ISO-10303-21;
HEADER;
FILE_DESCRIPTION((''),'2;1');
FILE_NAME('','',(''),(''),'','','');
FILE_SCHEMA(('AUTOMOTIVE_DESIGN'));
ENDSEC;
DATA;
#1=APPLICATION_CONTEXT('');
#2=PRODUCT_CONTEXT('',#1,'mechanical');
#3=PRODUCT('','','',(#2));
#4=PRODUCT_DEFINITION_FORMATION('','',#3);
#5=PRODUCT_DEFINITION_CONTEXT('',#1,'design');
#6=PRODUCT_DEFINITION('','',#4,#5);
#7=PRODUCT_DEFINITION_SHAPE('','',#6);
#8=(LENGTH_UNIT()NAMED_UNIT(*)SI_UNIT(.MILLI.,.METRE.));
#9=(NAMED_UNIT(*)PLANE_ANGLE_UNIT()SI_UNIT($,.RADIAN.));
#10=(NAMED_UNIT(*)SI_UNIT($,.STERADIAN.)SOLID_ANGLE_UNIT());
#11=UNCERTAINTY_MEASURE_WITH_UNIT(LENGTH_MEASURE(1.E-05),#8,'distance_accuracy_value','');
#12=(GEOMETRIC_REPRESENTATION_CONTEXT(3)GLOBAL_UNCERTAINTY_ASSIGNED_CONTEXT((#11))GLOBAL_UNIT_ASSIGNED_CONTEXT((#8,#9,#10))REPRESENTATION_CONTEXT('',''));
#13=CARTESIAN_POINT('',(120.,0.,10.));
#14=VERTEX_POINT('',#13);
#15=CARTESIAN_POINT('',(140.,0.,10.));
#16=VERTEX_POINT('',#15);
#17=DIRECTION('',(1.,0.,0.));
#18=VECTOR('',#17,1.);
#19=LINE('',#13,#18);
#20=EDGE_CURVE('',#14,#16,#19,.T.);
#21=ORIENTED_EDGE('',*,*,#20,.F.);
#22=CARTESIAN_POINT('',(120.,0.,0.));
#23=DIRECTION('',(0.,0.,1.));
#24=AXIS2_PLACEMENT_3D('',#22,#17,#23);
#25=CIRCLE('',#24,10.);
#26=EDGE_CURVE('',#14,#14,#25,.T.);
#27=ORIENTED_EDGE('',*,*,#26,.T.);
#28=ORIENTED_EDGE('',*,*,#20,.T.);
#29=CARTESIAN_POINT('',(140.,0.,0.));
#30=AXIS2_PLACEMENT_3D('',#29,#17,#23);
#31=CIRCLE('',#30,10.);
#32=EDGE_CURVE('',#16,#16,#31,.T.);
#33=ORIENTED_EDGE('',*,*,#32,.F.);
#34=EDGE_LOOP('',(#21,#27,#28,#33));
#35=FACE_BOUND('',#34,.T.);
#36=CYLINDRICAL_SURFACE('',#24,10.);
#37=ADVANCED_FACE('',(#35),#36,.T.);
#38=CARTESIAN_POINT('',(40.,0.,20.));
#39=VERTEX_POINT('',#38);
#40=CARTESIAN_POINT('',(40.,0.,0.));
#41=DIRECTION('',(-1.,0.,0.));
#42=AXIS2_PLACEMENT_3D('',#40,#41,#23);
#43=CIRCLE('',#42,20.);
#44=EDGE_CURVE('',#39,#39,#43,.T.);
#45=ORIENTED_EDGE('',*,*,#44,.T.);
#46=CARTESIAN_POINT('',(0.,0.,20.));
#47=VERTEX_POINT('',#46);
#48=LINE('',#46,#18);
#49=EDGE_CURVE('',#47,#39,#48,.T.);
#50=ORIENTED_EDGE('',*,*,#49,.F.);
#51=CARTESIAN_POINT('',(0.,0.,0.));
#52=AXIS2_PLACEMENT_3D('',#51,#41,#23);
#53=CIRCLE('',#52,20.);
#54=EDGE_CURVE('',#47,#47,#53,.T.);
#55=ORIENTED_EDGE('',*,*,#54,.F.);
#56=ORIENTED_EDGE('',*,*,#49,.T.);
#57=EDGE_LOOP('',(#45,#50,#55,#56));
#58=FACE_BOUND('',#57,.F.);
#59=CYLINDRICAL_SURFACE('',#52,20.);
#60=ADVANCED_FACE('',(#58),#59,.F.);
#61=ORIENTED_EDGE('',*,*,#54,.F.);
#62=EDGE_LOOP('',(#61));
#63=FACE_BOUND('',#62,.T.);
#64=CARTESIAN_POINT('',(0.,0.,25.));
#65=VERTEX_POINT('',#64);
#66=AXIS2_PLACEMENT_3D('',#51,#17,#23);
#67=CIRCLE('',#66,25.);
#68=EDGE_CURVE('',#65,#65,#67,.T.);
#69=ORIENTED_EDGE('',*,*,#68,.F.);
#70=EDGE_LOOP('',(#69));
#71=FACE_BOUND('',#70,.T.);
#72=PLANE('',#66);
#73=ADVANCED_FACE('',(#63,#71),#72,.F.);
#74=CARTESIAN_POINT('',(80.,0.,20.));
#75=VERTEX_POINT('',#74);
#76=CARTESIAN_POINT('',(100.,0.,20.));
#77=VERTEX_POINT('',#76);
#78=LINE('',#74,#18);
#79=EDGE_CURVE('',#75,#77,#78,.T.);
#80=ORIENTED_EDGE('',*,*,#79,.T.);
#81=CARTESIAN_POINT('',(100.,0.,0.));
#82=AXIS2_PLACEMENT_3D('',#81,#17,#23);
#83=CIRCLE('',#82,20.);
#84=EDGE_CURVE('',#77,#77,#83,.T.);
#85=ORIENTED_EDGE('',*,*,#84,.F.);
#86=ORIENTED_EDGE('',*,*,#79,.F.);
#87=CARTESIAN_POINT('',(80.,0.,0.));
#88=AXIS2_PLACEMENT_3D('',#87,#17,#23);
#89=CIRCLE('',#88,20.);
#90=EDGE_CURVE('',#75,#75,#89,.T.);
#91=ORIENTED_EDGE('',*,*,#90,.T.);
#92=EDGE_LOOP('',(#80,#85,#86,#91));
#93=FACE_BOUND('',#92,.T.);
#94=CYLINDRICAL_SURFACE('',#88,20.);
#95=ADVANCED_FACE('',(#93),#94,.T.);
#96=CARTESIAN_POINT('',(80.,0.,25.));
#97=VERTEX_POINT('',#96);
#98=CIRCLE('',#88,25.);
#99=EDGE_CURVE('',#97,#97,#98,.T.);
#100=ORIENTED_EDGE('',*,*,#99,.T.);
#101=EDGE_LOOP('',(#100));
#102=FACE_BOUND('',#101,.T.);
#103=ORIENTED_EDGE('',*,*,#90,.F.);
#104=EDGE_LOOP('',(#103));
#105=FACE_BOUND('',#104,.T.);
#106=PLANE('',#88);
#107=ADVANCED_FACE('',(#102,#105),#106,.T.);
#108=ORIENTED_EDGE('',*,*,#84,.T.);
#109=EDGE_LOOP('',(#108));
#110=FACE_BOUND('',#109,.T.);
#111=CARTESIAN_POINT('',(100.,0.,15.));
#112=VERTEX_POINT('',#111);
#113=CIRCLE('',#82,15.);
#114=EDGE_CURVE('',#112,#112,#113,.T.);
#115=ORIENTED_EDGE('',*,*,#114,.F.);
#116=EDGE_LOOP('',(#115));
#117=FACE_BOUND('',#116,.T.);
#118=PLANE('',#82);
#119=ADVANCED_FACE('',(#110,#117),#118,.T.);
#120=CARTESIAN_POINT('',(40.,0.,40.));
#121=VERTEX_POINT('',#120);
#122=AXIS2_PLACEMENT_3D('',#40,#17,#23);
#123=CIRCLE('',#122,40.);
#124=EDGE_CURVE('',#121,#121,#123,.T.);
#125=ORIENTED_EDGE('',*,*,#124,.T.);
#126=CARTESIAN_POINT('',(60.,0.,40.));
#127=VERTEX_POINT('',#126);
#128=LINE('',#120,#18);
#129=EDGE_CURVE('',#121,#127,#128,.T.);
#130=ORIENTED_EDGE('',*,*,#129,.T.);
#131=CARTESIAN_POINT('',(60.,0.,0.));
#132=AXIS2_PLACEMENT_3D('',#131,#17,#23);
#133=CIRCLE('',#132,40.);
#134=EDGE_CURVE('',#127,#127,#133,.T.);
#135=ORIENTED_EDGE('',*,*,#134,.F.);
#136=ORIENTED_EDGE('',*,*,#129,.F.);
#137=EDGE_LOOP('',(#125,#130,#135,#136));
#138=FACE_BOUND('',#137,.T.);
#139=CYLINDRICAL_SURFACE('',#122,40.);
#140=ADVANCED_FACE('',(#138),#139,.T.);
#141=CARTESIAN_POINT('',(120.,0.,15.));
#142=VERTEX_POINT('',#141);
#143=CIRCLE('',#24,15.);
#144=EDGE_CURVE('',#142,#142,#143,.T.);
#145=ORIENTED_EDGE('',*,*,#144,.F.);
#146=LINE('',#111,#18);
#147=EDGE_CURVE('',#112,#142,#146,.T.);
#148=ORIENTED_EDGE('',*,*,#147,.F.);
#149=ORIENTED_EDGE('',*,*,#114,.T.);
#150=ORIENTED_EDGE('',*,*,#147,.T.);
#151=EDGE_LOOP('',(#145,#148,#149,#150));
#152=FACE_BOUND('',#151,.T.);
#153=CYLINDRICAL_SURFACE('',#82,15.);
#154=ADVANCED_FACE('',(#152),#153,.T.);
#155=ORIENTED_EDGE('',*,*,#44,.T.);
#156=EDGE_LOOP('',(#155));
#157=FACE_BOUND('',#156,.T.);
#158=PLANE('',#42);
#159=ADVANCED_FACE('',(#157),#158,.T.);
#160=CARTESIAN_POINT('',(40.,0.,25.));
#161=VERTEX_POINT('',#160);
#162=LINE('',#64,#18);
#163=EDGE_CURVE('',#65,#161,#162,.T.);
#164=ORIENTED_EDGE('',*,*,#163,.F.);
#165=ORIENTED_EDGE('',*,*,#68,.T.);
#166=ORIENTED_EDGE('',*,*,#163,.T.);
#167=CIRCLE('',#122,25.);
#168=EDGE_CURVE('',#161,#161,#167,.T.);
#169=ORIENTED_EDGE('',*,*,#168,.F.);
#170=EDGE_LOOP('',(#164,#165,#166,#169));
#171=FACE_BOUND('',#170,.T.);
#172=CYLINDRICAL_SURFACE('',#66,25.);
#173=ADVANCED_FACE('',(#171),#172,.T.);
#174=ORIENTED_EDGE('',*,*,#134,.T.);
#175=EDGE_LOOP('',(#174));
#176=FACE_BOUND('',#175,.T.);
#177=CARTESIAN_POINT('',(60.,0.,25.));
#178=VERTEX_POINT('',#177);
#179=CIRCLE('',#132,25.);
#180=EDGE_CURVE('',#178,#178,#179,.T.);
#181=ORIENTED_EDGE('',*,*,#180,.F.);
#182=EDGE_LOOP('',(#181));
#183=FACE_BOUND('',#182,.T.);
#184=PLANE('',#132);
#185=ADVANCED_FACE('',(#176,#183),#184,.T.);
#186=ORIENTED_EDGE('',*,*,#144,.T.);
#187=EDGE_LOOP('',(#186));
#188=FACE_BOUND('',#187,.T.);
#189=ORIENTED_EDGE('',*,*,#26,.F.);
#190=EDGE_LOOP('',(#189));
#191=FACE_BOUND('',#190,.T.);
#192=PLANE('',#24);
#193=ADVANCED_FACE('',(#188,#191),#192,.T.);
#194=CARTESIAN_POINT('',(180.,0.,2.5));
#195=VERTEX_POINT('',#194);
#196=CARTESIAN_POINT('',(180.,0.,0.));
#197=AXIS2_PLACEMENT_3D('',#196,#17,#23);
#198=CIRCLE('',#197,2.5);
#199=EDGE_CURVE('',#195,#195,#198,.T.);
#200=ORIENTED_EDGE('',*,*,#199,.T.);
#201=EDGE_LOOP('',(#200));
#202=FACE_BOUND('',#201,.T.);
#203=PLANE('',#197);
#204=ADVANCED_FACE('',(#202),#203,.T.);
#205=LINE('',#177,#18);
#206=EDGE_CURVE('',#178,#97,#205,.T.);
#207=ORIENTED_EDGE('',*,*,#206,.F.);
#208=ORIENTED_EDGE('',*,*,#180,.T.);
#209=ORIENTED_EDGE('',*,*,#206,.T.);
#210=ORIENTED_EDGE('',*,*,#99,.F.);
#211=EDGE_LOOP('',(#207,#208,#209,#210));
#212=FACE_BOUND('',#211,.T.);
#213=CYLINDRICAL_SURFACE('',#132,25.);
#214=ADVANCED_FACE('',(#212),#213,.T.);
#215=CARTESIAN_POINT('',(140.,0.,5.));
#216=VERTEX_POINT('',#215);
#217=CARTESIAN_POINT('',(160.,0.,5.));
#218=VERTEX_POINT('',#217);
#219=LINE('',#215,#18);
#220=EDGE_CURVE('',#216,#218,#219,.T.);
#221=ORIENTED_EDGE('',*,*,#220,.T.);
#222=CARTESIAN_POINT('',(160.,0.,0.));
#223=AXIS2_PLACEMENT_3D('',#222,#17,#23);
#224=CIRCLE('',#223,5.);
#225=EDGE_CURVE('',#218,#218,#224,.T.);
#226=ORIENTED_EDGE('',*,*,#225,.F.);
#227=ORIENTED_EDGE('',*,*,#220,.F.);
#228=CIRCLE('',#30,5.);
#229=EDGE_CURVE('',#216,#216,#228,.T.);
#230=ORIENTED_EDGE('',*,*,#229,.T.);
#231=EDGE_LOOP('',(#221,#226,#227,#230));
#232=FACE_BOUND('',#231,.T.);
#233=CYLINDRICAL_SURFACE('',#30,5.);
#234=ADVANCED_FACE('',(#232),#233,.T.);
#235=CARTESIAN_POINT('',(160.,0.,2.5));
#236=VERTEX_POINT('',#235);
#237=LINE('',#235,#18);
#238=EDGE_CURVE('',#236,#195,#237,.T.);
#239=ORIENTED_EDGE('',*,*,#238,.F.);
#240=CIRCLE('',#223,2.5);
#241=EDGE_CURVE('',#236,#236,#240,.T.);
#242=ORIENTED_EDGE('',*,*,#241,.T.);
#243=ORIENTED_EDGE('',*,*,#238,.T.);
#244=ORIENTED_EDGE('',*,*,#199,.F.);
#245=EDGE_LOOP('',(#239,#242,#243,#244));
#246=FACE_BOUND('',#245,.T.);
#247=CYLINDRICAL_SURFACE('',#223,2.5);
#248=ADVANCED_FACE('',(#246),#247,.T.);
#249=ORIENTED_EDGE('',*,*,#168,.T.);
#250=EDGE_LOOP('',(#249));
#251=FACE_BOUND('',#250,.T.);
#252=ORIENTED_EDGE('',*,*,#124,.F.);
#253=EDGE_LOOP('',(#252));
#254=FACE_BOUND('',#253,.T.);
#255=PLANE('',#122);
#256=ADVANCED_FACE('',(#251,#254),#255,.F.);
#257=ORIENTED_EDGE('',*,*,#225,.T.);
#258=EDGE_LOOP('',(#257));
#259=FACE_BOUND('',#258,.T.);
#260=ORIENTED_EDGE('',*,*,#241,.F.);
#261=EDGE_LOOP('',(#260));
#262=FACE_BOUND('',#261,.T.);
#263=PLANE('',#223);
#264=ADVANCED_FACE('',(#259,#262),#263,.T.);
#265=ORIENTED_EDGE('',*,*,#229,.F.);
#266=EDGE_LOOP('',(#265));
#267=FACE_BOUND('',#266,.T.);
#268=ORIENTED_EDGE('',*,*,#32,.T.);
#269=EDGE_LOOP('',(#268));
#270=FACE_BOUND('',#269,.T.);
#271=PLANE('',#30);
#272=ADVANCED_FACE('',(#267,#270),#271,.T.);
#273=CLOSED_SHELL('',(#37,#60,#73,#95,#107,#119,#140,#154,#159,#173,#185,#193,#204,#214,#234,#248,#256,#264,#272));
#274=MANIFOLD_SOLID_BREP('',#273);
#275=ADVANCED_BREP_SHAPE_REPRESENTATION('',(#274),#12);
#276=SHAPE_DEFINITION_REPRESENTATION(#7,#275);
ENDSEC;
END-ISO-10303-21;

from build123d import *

# Parameters (mm, degrees)
SKETCH3_R          = 20
CUT_EXTRUDE1_DEPTH = 40


with BuildPart() as part:
    # Sketch2 → Revolve1 (revolve)
    with BuildSketch(Plane(origin=(0, 0, 0), x_dir=(1, 0, 0), z_dir=(0, 1, 0))):
        Polygon((0, 0), (0, -25), (40, -25), (40, -40), (60, -40), (60, -25), (80, -25), (80, -20), (100, -20), (100, -15), (120, -15), (120, -10), (140, -10), (140, -5), (160, -5), (160, -2.5), (180, -2.5), (180, 0), align=None)
    revolve(axis=Axis((0, 0, 0), (1, 0, 0)))

    # Sketch3 → Cut-Extrude1 (cut)
    with BuildSketch(Plane.ZY):
        Circle(SKETCH3_R)
    extrude(amount=-CUT_EXTRUDE1_DEPTH, mode=Mode.SUBTRACT)


solid = part.part
